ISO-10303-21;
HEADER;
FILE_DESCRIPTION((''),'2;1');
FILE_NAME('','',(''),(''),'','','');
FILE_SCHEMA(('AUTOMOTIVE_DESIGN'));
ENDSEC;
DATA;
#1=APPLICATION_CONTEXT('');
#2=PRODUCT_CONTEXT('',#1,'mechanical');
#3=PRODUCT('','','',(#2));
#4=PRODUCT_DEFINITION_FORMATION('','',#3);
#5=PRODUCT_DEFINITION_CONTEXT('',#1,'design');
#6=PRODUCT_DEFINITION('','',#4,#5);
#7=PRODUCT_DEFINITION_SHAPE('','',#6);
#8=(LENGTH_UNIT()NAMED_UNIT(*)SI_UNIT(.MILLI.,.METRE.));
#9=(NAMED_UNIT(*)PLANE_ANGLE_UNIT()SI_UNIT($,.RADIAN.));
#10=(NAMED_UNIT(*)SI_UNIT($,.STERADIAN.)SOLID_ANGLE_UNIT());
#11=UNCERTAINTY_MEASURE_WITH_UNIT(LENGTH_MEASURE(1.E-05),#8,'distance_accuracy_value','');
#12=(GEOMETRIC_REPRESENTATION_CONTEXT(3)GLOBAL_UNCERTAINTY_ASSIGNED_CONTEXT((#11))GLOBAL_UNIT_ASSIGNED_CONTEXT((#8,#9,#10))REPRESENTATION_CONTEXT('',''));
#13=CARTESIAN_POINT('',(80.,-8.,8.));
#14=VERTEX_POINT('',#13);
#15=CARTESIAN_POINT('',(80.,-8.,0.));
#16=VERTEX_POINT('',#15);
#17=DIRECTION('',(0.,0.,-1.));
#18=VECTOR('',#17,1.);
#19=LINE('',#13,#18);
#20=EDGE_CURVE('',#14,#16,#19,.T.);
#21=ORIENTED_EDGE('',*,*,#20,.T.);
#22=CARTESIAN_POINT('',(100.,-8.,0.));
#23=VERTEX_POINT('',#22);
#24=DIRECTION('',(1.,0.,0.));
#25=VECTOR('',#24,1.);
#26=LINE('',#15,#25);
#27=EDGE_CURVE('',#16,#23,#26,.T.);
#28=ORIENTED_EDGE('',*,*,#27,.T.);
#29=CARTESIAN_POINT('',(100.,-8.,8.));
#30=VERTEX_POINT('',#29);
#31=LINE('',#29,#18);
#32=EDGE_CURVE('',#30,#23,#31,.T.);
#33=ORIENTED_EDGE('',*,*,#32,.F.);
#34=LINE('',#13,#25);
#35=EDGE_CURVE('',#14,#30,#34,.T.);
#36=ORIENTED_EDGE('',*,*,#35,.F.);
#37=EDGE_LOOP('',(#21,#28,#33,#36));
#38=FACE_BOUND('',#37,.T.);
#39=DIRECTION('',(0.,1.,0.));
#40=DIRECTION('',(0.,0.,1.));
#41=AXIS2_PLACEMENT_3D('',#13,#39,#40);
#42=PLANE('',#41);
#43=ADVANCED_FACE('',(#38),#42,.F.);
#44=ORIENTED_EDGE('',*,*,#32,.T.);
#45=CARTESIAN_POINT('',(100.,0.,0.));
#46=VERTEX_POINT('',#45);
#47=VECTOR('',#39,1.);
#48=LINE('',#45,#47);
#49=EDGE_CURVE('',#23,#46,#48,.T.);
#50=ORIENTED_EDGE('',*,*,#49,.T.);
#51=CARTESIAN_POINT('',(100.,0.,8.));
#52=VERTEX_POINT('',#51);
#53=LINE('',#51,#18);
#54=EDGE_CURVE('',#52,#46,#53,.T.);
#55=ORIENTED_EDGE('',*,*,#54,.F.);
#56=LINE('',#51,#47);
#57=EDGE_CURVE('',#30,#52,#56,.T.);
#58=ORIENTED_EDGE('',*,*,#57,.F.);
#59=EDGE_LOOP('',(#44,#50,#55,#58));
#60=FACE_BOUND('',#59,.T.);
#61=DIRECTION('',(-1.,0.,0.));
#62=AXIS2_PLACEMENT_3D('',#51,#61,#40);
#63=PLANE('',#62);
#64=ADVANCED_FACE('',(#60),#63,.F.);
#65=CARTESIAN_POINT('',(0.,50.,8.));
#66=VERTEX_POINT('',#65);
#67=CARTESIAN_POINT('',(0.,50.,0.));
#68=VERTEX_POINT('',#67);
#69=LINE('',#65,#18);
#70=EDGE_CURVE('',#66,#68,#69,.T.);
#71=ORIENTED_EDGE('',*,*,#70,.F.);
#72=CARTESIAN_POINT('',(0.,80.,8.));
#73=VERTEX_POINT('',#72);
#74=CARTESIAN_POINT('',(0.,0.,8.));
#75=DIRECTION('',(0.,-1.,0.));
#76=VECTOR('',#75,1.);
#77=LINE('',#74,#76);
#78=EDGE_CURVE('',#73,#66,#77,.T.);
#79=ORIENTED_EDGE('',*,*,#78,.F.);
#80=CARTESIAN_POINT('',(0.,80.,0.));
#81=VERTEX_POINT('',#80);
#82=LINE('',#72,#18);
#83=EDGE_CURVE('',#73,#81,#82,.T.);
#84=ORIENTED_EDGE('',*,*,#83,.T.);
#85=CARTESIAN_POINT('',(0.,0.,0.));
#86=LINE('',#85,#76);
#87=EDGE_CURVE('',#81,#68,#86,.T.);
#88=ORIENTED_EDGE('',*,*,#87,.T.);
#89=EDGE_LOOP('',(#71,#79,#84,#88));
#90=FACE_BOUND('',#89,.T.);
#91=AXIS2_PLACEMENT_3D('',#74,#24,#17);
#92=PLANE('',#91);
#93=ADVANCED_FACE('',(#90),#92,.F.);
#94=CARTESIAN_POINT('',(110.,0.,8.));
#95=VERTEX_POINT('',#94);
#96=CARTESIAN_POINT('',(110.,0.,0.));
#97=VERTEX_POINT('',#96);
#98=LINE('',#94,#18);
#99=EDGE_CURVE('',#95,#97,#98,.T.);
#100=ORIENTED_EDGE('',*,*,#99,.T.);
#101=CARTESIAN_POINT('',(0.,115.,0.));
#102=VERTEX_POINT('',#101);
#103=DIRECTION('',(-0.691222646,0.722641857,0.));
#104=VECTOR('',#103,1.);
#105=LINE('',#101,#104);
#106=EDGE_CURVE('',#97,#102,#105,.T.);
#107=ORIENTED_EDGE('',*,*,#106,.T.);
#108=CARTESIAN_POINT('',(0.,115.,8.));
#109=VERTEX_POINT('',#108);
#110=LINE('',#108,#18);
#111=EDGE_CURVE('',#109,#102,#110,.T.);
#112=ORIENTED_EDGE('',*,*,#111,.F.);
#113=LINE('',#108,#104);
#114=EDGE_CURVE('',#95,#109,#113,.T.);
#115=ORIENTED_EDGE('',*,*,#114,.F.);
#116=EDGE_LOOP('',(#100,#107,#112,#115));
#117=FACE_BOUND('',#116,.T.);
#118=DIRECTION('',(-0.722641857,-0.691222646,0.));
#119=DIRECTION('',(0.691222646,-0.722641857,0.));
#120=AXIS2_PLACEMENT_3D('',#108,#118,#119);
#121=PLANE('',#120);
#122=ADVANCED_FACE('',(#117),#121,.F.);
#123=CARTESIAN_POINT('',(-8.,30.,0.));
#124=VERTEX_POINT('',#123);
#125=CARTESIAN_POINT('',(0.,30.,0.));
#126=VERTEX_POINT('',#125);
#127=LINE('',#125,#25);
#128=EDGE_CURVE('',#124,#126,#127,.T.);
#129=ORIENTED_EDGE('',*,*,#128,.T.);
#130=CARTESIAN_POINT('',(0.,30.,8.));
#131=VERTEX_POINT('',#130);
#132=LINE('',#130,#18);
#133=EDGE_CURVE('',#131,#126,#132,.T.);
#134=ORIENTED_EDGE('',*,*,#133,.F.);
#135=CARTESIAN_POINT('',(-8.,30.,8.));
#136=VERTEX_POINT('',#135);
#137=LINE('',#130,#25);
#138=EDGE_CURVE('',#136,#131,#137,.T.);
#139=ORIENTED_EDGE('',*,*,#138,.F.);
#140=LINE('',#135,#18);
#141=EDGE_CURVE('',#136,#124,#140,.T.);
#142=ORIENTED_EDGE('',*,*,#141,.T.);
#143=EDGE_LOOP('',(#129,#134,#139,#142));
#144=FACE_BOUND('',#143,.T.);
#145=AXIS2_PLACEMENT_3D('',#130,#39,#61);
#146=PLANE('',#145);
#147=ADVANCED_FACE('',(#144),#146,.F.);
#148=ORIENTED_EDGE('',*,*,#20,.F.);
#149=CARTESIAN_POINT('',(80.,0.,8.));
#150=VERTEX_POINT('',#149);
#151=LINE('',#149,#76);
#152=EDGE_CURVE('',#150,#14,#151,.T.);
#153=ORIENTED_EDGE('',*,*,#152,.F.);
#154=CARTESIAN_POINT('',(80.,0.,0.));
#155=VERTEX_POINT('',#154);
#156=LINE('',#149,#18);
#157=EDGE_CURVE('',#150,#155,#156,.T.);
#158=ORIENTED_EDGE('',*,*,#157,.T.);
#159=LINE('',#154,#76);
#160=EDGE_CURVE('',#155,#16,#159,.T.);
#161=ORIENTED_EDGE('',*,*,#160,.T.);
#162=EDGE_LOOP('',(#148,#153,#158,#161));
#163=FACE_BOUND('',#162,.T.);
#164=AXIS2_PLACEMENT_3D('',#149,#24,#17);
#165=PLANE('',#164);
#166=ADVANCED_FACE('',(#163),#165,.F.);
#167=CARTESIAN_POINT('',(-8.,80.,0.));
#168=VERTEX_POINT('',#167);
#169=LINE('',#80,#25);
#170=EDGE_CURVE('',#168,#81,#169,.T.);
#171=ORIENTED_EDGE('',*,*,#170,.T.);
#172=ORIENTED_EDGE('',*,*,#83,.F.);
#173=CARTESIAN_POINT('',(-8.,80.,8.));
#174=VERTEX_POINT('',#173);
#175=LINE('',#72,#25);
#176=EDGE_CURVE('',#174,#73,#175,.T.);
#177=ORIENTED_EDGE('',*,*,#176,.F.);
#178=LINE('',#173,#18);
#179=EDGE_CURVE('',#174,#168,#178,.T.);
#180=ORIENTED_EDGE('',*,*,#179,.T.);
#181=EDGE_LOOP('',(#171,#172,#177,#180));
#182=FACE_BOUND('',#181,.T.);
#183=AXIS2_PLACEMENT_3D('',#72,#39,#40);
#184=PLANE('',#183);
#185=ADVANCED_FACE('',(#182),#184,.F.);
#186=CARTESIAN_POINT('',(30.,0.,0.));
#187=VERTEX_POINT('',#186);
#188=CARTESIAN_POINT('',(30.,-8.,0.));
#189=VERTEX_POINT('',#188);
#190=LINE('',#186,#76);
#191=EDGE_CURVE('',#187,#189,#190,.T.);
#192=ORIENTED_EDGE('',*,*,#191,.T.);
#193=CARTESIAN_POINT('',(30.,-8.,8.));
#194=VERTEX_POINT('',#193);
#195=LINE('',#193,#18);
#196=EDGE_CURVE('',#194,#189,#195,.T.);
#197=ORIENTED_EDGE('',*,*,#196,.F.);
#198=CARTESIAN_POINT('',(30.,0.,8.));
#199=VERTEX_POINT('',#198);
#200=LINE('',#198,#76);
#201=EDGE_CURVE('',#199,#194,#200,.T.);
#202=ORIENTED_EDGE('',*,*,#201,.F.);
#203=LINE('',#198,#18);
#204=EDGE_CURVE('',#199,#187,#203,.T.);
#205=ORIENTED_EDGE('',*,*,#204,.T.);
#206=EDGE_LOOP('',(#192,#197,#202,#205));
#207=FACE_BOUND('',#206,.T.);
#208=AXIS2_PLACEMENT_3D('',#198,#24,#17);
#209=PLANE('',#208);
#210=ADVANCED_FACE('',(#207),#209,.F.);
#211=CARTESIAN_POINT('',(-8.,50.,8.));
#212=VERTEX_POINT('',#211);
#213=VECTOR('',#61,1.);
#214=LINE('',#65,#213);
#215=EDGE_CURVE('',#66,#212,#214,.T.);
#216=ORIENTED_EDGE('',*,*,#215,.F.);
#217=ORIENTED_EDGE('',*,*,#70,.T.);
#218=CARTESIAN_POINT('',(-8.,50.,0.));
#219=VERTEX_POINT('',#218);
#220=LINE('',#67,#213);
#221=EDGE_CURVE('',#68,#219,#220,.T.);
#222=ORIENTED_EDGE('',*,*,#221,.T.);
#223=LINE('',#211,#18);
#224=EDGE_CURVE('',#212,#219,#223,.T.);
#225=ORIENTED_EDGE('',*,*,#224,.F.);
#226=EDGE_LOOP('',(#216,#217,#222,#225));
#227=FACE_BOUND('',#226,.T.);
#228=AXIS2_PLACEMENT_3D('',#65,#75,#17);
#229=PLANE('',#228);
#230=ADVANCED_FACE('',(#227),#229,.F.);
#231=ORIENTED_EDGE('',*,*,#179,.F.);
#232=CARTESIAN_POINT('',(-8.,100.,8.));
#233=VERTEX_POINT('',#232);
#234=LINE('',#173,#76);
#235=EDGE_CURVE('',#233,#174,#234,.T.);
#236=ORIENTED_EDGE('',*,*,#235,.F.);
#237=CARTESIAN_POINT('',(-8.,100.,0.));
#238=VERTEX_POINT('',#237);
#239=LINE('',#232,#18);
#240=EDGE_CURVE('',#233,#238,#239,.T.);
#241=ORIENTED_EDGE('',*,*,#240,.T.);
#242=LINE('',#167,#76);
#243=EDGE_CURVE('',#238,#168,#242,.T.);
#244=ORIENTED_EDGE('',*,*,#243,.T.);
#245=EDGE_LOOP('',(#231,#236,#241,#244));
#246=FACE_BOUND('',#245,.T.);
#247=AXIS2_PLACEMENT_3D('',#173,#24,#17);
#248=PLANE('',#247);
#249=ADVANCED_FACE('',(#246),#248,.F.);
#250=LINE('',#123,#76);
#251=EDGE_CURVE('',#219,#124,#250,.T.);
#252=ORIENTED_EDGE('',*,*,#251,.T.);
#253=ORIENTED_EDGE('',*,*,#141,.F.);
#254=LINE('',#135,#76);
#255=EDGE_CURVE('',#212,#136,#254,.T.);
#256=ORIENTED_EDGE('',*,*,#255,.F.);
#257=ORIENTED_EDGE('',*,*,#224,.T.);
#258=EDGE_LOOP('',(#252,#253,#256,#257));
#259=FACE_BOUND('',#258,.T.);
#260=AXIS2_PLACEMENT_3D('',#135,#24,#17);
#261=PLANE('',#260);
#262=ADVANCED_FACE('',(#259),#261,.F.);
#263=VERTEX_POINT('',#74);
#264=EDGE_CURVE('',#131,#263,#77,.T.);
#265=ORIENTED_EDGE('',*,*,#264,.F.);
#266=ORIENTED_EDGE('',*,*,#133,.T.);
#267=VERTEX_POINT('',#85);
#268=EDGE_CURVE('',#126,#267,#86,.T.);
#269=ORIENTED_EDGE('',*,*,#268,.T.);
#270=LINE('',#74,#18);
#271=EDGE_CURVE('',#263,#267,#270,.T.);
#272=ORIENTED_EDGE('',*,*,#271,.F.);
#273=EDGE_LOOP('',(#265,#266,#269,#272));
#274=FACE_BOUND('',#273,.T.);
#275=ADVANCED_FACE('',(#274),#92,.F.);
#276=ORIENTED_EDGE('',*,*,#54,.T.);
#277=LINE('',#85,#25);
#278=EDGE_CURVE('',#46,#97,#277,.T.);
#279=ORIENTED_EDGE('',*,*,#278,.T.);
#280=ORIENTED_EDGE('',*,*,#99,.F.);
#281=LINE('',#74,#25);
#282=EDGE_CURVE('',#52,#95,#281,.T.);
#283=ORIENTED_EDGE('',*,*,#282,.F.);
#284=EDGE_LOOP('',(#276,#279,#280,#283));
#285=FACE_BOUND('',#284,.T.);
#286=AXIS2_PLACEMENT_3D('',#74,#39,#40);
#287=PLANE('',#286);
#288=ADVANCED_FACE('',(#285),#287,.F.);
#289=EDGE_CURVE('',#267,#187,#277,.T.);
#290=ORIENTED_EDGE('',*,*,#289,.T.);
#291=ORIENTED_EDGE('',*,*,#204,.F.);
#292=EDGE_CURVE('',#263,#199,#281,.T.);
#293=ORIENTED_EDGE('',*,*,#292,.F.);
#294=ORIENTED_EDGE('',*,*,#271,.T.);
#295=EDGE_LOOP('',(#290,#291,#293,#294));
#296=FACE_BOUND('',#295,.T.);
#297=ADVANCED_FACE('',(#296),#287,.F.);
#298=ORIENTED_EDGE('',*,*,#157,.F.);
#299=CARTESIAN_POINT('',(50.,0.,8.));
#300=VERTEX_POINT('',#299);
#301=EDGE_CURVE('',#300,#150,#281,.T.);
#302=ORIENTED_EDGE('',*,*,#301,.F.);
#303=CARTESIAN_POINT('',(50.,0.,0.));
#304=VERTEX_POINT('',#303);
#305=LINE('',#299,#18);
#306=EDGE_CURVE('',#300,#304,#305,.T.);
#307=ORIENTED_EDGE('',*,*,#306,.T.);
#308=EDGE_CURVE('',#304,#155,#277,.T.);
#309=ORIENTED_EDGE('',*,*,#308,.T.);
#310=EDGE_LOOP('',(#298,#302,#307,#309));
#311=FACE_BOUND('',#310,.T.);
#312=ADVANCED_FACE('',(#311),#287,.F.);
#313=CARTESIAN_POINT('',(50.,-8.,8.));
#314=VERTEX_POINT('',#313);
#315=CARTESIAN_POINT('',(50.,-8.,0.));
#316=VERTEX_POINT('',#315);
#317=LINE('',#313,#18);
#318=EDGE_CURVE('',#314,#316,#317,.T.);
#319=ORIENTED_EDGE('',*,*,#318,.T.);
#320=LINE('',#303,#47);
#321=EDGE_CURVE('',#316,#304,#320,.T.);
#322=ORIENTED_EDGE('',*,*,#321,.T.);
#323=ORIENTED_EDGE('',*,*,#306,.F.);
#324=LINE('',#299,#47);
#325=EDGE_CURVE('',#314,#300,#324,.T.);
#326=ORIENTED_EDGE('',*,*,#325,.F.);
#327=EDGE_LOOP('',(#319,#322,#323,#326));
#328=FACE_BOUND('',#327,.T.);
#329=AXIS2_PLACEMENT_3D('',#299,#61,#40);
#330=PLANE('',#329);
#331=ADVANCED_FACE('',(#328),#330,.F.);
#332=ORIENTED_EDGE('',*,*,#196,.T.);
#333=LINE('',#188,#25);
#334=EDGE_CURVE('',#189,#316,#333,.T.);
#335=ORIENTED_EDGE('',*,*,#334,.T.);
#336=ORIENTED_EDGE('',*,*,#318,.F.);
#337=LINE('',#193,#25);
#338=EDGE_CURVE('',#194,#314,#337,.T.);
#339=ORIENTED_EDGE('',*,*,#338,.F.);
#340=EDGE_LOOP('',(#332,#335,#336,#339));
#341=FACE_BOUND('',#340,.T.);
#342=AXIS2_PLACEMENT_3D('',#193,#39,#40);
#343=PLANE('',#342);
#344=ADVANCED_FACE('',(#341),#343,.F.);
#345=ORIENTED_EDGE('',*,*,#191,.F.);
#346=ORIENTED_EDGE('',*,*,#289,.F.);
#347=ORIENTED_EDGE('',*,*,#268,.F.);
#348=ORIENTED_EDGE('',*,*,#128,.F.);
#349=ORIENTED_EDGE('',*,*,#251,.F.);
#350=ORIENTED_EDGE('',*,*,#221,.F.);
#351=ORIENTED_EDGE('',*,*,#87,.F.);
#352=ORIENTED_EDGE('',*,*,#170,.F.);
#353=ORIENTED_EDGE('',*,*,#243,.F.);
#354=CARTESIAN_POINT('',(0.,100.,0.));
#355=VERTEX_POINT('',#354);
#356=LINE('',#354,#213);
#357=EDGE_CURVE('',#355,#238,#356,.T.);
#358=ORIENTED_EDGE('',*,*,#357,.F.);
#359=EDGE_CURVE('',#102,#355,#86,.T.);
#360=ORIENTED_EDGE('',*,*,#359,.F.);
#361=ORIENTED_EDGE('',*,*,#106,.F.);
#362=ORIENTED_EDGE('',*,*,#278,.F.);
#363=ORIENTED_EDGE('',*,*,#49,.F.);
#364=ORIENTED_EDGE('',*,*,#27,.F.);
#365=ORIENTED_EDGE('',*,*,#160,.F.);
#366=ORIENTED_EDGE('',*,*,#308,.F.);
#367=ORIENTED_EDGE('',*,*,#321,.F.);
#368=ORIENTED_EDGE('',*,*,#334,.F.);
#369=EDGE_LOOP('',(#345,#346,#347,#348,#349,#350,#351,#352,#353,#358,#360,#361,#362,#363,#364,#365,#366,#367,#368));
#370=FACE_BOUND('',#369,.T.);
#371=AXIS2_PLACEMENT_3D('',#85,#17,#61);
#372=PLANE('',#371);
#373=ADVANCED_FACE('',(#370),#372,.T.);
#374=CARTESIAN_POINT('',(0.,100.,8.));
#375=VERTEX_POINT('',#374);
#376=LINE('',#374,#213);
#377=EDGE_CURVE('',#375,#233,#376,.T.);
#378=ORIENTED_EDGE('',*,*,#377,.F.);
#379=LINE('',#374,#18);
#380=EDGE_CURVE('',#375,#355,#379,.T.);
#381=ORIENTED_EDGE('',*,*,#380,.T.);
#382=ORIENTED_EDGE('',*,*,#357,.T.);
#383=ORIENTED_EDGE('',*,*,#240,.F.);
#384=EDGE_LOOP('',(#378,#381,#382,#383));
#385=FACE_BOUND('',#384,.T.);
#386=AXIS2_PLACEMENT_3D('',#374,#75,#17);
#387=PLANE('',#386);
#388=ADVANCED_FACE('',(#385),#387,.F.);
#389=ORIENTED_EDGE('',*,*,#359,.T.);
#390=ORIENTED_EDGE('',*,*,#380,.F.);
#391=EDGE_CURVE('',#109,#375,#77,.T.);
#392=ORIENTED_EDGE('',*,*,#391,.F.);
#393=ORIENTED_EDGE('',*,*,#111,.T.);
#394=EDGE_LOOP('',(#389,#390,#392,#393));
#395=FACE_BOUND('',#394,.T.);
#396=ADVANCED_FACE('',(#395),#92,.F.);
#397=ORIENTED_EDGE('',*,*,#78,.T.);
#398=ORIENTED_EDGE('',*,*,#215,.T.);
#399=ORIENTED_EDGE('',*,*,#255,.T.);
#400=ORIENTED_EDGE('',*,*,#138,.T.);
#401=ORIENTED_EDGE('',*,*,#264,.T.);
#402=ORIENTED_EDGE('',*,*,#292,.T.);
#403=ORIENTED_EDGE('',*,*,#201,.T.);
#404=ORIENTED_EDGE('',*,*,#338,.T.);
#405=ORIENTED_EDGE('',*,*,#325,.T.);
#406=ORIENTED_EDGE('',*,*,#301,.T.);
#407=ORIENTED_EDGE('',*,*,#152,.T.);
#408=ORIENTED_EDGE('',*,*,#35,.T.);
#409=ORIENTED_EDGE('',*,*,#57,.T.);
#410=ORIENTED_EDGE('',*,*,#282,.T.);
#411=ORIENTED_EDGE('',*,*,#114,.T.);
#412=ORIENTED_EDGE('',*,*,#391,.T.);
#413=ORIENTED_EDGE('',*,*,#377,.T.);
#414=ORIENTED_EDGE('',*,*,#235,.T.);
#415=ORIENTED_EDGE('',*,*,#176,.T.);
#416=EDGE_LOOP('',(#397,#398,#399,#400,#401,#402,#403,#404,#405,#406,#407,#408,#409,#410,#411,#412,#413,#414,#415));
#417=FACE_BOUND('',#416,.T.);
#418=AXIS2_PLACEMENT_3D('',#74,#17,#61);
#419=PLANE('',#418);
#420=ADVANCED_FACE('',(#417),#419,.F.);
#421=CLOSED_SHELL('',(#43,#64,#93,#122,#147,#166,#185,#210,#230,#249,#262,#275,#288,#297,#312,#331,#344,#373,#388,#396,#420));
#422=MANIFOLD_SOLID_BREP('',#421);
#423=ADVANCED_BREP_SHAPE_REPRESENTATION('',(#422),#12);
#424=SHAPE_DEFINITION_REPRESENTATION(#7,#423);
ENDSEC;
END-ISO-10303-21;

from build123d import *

# Parameters (mm, degrees)
BOSS_EXTRU_1_DEPTH = 8
ESQUISSE2_W        = 8
ESQUISSE2_H        = 20
BOSS_EXTRU_2_DEPTH = 8
ESQUISSE3_W        = 20
ESQUISSE3_H        = 8
BOSS_EXTRU_3_DEPTH = 8


with BuildPart() as part:
    # Esquisse1 → Boss.-Extru.1 (new body)
    with BuildSketch(Plane.XY):
        Polygon((0, 0), (110, 0), (0, 115), align=None)
    extrude(amount=BOSS_EXTRU_1_DEPTH)

    # Esquisse2 → Boss.-Extru.2 (add)
    with BuildSketch(Plane.XY):
        with Locations((-4, 40)):
            Rectangle(ESQUISSE2_W, ESQUISSE2_H)
        with Locations((-4, 90)):
            Rectangle(ESQUISSE2_W, ESQUISSE2_H)
    extrude(amount=BOSS_EXTRU_2_DEPTH)

    # Esquisse3 → Boss.-Extru.3 (add)
    with BuildSketch(Plane.XY):
        with Locations((40, -4)):
            Rectangle(ESQUISSE3_W, ESQUISSE3_H)
        with Locations((90, -4)):
            Rectangle(ESQUISSE3_W, ESQUISSE3_H)
    extrude(amount=BOSS_EXTRU_3_DEPTH)


solid = part.part
